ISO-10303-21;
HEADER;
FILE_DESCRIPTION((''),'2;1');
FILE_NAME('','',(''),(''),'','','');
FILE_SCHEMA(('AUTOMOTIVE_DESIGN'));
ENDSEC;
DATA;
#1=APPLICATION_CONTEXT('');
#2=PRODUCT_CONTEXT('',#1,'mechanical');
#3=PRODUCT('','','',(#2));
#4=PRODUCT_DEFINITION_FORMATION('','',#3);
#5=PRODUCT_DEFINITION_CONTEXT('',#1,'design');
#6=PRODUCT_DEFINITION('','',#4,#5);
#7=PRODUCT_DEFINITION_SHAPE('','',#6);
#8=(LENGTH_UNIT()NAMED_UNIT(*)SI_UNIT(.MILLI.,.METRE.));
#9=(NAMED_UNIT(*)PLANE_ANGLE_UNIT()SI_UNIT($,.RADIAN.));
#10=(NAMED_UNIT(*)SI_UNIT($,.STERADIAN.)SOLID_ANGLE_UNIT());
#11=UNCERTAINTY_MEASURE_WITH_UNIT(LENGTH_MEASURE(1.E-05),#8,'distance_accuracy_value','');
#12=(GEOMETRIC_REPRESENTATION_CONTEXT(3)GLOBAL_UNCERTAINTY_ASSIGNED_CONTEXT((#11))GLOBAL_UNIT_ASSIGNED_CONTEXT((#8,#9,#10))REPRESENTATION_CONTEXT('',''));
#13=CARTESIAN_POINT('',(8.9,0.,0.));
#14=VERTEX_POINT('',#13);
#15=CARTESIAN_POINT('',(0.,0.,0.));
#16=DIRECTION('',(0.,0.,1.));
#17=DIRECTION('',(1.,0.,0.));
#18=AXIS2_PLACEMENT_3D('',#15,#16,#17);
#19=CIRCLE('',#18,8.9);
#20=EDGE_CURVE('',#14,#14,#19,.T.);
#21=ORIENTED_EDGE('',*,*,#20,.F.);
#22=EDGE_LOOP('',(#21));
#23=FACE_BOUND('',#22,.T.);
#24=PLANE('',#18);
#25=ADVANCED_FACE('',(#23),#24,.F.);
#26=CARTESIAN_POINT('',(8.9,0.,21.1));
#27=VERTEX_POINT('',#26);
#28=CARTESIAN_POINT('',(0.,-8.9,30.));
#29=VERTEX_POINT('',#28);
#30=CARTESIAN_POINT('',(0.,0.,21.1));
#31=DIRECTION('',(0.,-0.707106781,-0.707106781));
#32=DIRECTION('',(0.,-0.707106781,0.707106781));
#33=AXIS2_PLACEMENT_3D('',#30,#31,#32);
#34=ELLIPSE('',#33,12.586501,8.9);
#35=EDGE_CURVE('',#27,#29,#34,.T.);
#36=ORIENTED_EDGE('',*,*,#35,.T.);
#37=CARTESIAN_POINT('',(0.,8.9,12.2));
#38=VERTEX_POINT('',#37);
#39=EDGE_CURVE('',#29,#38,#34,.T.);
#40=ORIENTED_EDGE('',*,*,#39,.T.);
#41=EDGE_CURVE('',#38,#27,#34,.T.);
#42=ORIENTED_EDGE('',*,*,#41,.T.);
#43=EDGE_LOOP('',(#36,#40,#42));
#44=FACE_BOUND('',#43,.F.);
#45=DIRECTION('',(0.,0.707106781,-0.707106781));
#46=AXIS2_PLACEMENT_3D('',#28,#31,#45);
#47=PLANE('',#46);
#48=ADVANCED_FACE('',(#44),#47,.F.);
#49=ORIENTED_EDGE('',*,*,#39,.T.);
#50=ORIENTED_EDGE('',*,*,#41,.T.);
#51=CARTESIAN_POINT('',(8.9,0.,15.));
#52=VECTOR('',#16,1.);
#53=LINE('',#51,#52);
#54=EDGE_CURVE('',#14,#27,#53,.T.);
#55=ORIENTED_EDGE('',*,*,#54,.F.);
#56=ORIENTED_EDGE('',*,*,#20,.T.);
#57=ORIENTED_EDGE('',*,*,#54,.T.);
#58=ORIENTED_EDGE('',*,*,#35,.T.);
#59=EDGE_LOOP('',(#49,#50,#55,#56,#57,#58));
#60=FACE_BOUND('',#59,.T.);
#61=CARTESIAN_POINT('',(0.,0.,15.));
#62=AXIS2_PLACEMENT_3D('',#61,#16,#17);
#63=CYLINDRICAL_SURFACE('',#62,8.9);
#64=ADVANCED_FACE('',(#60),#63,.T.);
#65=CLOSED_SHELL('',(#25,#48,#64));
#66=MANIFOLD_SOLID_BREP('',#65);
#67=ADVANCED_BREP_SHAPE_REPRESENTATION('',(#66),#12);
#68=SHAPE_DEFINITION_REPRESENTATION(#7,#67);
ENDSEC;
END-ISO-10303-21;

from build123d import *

# Parameters (mm, degrees)
F0_W     = 8.9
F0_H     = 30
F3_DEPTH = 12.5


with BuildPart() as f1:
    # F0 (on Front) → F1 (revolve)
    with BuildSketch(Plane.XZ):
        with Locations((4.45, 15)):
            Rectangle(F0_W, F0_H)
    revolve(axis=Axis((0, 0, 15), (0, 0, 1)))

    # F2 (on Right) → F3 (cut, symmetric)
    with BuildSketch(Plane.YZ):
        Polygon((8.9, 12.2), (8.9, 30), (-8.9, 30), align=None)
    extrude(amount=F3_DEPTH, both=True, mode=Mode.SUBTRACT)


solid = f1.part
